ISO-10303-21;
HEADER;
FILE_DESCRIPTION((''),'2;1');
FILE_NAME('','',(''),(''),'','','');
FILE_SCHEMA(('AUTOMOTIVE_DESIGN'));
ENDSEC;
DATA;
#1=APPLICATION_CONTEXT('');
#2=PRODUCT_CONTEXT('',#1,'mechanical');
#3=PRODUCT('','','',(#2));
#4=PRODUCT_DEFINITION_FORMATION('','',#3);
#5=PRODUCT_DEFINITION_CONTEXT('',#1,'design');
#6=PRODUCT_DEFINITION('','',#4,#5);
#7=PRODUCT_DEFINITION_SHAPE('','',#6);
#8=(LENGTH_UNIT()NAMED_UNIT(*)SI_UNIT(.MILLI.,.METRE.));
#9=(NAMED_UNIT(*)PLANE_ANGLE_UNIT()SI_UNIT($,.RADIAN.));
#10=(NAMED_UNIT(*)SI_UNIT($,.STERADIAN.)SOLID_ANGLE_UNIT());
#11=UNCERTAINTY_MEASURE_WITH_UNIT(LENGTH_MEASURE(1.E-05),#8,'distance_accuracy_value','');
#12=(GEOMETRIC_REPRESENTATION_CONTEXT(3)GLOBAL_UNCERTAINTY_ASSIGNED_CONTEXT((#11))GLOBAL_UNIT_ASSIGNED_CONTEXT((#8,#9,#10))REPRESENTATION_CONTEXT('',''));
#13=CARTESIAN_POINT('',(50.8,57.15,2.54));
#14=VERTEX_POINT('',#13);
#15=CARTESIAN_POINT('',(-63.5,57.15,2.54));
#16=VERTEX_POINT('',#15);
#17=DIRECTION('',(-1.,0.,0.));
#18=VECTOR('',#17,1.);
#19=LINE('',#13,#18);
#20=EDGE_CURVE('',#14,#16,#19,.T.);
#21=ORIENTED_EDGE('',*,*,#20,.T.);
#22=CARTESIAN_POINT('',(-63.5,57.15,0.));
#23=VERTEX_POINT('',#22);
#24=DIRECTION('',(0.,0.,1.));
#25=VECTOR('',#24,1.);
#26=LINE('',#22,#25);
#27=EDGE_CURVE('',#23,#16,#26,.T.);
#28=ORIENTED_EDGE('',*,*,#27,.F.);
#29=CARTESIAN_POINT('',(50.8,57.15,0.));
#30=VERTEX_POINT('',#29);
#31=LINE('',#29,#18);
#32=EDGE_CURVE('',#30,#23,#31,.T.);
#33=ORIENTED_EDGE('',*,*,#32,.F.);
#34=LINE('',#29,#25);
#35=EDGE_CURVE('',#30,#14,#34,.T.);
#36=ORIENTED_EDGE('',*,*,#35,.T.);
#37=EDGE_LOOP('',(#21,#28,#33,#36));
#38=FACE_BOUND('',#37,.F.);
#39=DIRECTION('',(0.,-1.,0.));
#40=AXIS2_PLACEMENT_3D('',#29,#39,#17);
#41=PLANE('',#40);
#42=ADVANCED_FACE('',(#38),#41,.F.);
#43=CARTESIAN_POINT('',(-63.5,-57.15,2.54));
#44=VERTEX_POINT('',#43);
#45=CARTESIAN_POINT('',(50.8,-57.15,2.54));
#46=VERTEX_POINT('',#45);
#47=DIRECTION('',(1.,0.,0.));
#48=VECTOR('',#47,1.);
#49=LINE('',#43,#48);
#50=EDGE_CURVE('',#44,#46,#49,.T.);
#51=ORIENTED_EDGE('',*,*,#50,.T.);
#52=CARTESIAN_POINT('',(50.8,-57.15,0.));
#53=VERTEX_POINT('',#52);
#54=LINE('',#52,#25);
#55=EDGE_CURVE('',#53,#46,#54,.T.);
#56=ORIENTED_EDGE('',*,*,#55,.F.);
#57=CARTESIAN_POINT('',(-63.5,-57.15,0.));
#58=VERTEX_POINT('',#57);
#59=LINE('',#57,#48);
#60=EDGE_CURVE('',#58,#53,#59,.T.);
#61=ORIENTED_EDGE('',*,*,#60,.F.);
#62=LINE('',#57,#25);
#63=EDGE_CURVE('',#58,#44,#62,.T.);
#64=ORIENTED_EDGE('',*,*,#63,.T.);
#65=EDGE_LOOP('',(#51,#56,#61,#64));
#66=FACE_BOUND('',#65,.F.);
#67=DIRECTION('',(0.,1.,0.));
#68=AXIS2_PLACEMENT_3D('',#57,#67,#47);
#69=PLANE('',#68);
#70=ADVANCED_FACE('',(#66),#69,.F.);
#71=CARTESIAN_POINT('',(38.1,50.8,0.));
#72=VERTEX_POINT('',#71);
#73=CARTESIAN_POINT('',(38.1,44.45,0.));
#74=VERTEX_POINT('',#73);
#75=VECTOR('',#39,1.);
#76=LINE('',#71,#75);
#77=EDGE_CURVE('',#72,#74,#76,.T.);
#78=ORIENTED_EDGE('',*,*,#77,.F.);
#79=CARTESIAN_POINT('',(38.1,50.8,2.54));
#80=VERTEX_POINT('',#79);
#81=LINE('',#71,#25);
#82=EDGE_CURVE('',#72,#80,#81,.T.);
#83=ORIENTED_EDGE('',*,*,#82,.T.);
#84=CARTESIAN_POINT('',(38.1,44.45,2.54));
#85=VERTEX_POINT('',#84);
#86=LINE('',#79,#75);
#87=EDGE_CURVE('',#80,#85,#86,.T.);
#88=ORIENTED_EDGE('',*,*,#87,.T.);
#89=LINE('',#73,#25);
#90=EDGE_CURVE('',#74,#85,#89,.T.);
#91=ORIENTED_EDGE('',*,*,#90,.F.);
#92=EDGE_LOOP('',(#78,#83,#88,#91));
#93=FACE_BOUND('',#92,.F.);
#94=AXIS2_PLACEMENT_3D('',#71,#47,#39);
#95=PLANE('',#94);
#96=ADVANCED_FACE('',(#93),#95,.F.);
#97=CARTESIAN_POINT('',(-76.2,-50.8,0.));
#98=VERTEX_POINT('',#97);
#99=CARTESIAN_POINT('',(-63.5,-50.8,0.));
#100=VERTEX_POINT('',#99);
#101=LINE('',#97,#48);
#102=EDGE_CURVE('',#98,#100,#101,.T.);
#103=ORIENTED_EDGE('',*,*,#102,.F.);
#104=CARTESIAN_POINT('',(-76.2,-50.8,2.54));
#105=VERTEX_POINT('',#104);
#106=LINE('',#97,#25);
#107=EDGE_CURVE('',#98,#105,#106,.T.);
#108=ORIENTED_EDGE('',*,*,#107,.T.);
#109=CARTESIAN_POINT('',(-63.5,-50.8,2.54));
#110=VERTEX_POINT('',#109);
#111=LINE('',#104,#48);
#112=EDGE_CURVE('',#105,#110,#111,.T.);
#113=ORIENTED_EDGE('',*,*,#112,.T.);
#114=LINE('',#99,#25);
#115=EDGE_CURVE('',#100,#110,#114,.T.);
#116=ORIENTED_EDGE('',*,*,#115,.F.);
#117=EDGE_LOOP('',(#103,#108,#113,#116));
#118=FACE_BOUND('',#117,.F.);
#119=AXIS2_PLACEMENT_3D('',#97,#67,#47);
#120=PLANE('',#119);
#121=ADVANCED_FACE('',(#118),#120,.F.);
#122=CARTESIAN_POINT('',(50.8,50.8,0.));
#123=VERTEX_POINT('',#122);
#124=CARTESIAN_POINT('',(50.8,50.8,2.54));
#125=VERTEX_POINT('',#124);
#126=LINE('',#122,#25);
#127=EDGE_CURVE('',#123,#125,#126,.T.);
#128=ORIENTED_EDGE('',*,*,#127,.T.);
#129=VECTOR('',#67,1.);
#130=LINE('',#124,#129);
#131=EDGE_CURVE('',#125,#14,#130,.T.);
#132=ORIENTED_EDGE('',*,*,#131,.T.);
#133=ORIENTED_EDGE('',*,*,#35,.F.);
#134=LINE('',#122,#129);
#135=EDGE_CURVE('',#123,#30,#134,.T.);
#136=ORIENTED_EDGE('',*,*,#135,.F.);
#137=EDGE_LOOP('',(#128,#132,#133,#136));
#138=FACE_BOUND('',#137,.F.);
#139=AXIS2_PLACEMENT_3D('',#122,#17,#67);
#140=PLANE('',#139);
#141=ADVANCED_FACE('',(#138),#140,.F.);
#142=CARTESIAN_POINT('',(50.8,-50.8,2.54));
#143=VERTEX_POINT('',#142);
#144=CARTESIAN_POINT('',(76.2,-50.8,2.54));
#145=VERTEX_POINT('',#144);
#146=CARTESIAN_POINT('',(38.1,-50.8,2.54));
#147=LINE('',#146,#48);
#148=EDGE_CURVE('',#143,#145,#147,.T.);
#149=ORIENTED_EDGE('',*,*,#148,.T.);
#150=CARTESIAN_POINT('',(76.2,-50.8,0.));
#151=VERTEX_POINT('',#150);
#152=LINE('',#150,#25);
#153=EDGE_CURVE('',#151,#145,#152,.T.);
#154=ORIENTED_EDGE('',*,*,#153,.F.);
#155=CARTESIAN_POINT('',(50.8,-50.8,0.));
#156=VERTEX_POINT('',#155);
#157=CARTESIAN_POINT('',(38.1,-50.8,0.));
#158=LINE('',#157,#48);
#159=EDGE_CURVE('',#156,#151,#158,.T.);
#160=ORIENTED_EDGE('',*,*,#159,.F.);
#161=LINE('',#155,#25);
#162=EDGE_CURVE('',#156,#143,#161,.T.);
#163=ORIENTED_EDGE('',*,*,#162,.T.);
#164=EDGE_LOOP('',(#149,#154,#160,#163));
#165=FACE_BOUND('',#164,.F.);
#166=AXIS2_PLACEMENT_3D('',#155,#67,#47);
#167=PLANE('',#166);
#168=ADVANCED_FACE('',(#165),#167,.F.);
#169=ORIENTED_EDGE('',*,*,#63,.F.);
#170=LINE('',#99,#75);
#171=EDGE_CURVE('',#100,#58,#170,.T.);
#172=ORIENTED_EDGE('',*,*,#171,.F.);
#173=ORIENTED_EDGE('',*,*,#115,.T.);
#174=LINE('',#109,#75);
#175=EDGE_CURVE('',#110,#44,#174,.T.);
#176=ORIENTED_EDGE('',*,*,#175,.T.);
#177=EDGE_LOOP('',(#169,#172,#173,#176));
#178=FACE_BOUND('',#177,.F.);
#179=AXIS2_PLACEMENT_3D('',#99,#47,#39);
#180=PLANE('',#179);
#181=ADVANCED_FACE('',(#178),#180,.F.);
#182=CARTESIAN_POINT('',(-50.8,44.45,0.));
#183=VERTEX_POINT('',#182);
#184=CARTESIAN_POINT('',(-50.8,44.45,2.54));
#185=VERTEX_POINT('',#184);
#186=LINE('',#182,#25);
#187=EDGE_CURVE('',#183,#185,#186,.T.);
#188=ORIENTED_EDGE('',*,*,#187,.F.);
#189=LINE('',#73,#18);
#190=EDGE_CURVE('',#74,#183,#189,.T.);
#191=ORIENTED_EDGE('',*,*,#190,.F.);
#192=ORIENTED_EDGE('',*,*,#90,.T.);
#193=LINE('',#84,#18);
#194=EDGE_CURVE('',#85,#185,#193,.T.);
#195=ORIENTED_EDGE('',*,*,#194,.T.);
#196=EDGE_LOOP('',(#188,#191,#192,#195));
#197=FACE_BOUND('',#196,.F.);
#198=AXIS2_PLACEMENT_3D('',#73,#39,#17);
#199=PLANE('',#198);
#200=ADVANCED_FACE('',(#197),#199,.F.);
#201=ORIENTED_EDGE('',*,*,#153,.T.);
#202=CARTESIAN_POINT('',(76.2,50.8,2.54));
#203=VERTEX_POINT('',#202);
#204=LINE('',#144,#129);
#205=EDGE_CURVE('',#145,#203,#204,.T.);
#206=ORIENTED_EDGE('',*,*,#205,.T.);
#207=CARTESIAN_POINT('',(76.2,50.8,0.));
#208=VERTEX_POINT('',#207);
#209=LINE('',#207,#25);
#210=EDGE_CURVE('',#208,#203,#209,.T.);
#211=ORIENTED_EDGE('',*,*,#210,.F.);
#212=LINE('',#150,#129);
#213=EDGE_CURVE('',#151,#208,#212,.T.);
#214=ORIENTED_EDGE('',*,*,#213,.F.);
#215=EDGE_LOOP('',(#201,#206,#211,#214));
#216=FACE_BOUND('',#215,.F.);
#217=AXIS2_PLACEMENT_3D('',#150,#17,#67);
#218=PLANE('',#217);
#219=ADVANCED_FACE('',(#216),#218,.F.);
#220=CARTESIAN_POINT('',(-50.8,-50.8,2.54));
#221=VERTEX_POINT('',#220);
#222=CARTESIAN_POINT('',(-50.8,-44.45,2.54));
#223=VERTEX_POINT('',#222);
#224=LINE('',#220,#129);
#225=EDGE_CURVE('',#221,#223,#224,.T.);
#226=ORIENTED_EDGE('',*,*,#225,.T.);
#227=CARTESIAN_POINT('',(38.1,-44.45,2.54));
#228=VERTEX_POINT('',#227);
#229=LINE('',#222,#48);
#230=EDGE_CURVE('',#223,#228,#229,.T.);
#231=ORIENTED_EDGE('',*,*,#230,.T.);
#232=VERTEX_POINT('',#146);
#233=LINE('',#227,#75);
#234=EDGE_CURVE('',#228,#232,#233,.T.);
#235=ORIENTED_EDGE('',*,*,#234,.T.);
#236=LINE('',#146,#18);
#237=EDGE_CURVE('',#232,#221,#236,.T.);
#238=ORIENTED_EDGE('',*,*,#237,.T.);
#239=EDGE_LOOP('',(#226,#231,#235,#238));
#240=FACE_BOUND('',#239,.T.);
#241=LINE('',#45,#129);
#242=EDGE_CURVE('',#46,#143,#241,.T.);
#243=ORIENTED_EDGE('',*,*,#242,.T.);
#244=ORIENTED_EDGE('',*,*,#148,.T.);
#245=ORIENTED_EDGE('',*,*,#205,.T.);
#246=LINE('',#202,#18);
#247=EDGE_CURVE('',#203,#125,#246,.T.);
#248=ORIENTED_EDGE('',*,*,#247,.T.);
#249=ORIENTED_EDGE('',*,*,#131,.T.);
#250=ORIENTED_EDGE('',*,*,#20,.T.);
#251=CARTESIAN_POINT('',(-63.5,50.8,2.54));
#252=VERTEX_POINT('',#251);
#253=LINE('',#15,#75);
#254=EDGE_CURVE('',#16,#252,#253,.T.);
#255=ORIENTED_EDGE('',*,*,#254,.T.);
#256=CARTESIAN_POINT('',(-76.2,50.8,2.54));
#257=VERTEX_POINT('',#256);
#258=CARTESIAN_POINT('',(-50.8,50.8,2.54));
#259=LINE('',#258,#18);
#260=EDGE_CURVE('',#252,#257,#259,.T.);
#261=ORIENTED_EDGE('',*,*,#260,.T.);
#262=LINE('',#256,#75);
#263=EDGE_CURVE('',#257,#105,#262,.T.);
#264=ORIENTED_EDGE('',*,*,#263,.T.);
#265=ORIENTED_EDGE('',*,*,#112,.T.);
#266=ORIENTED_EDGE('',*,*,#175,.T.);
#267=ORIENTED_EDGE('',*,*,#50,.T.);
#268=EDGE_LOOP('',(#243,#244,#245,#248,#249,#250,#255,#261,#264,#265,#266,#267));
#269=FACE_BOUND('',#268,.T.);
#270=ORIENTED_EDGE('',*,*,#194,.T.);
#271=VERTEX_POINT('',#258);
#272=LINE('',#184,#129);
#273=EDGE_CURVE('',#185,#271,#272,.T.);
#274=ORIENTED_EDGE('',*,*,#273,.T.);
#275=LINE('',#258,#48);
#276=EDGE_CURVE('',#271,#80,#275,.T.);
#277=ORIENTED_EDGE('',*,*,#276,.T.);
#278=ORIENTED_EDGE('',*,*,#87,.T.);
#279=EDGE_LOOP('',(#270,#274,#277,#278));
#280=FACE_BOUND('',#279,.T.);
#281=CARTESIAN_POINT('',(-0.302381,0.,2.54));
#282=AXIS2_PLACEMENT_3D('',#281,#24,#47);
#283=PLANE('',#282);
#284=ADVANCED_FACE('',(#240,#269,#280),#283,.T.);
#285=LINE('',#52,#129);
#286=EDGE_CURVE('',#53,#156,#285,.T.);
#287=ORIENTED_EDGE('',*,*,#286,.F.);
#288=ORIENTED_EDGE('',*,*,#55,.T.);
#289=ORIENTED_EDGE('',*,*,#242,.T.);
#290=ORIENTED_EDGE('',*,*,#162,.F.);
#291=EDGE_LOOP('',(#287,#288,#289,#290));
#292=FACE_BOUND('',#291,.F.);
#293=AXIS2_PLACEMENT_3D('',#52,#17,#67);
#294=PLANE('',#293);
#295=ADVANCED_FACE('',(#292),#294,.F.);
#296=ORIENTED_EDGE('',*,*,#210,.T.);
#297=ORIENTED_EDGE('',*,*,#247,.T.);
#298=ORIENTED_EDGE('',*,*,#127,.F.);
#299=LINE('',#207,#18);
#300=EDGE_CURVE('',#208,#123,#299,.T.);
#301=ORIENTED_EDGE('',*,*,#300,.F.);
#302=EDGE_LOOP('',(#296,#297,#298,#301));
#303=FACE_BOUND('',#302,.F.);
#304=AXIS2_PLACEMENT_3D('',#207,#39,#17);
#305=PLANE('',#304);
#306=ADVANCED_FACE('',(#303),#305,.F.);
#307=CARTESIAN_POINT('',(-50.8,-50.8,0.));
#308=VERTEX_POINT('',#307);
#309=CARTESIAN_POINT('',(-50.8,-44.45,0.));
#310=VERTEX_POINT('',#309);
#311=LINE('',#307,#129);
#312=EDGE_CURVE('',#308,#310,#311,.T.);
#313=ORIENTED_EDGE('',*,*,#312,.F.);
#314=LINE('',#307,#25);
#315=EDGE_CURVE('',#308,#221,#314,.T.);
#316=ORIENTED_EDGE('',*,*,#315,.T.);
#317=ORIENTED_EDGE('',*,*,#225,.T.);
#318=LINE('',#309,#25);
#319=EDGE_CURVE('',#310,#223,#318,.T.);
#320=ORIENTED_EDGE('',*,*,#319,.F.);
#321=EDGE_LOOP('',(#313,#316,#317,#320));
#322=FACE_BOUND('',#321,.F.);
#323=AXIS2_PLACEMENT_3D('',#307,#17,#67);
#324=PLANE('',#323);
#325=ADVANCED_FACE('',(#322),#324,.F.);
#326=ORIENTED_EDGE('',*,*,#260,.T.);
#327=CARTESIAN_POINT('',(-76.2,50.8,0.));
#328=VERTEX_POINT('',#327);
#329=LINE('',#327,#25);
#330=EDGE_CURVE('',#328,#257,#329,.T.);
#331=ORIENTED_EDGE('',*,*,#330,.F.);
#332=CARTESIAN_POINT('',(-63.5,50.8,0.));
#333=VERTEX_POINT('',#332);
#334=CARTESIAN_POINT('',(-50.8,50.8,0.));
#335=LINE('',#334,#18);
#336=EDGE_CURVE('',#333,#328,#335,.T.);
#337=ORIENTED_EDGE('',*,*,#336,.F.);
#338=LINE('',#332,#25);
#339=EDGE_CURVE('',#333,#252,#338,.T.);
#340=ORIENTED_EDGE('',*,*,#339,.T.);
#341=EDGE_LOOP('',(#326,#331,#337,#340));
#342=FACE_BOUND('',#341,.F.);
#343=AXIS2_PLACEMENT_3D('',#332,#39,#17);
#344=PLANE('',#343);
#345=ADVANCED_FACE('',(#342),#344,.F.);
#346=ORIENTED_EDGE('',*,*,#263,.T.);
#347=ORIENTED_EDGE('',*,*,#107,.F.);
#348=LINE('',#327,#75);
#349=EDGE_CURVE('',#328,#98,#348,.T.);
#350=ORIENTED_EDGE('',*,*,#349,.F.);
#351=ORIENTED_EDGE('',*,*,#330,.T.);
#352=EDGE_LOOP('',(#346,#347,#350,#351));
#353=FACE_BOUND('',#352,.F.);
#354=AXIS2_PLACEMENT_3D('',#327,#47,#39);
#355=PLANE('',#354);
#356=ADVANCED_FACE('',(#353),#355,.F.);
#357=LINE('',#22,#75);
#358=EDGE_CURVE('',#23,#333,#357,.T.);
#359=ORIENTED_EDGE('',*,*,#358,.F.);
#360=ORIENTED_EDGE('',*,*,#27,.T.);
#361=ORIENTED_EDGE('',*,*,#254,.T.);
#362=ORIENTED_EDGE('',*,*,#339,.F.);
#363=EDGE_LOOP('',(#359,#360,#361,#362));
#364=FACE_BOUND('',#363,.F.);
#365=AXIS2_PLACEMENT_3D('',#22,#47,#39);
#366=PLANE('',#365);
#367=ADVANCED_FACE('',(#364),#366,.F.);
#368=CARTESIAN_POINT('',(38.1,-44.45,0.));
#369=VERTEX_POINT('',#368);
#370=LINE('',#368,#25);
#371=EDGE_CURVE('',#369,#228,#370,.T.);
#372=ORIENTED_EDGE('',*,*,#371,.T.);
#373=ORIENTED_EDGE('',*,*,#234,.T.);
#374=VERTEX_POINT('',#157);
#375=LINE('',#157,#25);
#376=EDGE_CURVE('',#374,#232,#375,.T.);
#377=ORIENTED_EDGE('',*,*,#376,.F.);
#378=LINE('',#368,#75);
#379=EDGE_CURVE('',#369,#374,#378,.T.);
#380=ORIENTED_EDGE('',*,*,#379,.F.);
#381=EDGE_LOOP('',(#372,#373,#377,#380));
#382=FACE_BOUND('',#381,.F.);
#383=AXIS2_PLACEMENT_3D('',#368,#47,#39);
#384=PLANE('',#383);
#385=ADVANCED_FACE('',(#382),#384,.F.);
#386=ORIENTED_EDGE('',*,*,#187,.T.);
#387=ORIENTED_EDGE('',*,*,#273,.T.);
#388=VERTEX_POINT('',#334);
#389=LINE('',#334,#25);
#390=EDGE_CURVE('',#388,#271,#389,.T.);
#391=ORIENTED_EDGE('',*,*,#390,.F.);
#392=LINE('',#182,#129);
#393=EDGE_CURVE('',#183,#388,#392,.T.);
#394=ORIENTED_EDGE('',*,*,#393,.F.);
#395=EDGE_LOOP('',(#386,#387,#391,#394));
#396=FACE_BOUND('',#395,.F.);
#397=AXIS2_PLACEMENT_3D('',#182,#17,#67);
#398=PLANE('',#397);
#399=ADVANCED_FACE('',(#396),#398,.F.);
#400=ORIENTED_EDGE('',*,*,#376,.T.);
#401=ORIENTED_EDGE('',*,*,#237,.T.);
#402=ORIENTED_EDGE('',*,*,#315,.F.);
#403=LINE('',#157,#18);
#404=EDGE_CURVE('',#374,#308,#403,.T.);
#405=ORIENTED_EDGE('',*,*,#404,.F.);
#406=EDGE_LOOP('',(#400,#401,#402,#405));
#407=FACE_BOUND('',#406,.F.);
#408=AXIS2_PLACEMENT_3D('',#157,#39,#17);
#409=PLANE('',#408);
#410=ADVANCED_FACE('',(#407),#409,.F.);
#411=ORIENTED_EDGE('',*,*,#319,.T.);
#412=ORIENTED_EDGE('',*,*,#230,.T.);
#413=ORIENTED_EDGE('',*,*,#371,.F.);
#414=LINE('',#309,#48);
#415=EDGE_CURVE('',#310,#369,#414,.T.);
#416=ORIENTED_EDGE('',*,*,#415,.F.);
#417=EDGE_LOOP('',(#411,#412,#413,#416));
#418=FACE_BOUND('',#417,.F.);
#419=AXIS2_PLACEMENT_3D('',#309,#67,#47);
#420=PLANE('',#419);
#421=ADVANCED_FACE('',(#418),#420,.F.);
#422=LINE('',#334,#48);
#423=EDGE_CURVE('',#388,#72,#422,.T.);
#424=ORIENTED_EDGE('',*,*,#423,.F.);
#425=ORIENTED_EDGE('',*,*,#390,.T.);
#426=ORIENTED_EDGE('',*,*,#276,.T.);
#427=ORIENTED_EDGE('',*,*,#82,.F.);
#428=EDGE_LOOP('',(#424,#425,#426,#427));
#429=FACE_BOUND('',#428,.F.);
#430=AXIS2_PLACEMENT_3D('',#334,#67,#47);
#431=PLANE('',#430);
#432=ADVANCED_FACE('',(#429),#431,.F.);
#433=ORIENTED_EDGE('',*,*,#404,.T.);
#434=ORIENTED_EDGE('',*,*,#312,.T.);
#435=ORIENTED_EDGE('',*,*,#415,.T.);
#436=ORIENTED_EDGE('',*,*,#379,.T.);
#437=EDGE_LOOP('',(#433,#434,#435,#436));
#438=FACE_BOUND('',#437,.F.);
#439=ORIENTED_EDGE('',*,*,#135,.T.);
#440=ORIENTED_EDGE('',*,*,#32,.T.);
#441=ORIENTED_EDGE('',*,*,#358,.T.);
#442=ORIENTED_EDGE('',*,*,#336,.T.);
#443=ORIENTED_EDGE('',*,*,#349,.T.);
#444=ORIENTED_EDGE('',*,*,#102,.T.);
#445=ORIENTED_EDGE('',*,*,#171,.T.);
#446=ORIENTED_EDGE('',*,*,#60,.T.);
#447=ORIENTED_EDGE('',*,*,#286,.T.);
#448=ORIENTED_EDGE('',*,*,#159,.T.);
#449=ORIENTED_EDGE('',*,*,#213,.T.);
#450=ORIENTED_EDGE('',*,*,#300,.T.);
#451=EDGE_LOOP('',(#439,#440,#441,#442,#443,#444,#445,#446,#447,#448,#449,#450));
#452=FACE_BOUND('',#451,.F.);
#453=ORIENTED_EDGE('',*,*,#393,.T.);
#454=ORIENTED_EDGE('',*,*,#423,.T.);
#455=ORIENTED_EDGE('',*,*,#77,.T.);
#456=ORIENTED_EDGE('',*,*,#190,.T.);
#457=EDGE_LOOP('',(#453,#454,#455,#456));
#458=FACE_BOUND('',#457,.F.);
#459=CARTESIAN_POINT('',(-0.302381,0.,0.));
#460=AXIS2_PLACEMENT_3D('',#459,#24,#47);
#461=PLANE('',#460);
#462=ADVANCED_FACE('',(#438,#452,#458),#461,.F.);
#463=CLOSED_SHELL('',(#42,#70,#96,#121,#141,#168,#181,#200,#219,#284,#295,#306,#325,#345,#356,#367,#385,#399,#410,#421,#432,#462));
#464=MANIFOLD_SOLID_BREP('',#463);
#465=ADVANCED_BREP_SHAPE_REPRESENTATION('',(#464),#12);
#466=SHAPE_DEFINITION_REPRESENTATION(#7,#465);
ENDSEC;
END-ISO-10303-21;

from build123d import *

# Parameters (mm, degrees)
F1_DEPTH = 2.54


with BuildPart() as f1:
    # F0 (on Top) → F1 (new body)
    with BuildSketch(Plane.XY):
        Polygon((-76.2, 50.8), (-76.2, 0), (-76.2, -50.8), (-63.5, -50.8), (-50.8, -50.8), (-50.8, -44.45), (38.1, -44.45), (38.1, -50.8), (50.8, -50.8), (76.2, -50.8), (76.2, 0), (76.2, 50.8), (50.8, 50.8), (38.1, 50.8), (38.1, 44.45), (-50.8, 44.45), (-50.8, 50.8), (-63.5, 50.8), align=None)
        Polygon((-63.5, 57.15), (-63.5, 50.8), (-50.8, 50.8), (38.1, 50.8), (50.8, 50.8), (50.8, 57.15), align=None)
        Polygon((-50.8, -50.8), (-63.5, -50.8), (-63.5, -57.15), (50.8, -57.15), (50.8, -50.8), (38.1, -50.8), align=None)
    extrude(amount=F1_DEPTH)


solid = f1.part
